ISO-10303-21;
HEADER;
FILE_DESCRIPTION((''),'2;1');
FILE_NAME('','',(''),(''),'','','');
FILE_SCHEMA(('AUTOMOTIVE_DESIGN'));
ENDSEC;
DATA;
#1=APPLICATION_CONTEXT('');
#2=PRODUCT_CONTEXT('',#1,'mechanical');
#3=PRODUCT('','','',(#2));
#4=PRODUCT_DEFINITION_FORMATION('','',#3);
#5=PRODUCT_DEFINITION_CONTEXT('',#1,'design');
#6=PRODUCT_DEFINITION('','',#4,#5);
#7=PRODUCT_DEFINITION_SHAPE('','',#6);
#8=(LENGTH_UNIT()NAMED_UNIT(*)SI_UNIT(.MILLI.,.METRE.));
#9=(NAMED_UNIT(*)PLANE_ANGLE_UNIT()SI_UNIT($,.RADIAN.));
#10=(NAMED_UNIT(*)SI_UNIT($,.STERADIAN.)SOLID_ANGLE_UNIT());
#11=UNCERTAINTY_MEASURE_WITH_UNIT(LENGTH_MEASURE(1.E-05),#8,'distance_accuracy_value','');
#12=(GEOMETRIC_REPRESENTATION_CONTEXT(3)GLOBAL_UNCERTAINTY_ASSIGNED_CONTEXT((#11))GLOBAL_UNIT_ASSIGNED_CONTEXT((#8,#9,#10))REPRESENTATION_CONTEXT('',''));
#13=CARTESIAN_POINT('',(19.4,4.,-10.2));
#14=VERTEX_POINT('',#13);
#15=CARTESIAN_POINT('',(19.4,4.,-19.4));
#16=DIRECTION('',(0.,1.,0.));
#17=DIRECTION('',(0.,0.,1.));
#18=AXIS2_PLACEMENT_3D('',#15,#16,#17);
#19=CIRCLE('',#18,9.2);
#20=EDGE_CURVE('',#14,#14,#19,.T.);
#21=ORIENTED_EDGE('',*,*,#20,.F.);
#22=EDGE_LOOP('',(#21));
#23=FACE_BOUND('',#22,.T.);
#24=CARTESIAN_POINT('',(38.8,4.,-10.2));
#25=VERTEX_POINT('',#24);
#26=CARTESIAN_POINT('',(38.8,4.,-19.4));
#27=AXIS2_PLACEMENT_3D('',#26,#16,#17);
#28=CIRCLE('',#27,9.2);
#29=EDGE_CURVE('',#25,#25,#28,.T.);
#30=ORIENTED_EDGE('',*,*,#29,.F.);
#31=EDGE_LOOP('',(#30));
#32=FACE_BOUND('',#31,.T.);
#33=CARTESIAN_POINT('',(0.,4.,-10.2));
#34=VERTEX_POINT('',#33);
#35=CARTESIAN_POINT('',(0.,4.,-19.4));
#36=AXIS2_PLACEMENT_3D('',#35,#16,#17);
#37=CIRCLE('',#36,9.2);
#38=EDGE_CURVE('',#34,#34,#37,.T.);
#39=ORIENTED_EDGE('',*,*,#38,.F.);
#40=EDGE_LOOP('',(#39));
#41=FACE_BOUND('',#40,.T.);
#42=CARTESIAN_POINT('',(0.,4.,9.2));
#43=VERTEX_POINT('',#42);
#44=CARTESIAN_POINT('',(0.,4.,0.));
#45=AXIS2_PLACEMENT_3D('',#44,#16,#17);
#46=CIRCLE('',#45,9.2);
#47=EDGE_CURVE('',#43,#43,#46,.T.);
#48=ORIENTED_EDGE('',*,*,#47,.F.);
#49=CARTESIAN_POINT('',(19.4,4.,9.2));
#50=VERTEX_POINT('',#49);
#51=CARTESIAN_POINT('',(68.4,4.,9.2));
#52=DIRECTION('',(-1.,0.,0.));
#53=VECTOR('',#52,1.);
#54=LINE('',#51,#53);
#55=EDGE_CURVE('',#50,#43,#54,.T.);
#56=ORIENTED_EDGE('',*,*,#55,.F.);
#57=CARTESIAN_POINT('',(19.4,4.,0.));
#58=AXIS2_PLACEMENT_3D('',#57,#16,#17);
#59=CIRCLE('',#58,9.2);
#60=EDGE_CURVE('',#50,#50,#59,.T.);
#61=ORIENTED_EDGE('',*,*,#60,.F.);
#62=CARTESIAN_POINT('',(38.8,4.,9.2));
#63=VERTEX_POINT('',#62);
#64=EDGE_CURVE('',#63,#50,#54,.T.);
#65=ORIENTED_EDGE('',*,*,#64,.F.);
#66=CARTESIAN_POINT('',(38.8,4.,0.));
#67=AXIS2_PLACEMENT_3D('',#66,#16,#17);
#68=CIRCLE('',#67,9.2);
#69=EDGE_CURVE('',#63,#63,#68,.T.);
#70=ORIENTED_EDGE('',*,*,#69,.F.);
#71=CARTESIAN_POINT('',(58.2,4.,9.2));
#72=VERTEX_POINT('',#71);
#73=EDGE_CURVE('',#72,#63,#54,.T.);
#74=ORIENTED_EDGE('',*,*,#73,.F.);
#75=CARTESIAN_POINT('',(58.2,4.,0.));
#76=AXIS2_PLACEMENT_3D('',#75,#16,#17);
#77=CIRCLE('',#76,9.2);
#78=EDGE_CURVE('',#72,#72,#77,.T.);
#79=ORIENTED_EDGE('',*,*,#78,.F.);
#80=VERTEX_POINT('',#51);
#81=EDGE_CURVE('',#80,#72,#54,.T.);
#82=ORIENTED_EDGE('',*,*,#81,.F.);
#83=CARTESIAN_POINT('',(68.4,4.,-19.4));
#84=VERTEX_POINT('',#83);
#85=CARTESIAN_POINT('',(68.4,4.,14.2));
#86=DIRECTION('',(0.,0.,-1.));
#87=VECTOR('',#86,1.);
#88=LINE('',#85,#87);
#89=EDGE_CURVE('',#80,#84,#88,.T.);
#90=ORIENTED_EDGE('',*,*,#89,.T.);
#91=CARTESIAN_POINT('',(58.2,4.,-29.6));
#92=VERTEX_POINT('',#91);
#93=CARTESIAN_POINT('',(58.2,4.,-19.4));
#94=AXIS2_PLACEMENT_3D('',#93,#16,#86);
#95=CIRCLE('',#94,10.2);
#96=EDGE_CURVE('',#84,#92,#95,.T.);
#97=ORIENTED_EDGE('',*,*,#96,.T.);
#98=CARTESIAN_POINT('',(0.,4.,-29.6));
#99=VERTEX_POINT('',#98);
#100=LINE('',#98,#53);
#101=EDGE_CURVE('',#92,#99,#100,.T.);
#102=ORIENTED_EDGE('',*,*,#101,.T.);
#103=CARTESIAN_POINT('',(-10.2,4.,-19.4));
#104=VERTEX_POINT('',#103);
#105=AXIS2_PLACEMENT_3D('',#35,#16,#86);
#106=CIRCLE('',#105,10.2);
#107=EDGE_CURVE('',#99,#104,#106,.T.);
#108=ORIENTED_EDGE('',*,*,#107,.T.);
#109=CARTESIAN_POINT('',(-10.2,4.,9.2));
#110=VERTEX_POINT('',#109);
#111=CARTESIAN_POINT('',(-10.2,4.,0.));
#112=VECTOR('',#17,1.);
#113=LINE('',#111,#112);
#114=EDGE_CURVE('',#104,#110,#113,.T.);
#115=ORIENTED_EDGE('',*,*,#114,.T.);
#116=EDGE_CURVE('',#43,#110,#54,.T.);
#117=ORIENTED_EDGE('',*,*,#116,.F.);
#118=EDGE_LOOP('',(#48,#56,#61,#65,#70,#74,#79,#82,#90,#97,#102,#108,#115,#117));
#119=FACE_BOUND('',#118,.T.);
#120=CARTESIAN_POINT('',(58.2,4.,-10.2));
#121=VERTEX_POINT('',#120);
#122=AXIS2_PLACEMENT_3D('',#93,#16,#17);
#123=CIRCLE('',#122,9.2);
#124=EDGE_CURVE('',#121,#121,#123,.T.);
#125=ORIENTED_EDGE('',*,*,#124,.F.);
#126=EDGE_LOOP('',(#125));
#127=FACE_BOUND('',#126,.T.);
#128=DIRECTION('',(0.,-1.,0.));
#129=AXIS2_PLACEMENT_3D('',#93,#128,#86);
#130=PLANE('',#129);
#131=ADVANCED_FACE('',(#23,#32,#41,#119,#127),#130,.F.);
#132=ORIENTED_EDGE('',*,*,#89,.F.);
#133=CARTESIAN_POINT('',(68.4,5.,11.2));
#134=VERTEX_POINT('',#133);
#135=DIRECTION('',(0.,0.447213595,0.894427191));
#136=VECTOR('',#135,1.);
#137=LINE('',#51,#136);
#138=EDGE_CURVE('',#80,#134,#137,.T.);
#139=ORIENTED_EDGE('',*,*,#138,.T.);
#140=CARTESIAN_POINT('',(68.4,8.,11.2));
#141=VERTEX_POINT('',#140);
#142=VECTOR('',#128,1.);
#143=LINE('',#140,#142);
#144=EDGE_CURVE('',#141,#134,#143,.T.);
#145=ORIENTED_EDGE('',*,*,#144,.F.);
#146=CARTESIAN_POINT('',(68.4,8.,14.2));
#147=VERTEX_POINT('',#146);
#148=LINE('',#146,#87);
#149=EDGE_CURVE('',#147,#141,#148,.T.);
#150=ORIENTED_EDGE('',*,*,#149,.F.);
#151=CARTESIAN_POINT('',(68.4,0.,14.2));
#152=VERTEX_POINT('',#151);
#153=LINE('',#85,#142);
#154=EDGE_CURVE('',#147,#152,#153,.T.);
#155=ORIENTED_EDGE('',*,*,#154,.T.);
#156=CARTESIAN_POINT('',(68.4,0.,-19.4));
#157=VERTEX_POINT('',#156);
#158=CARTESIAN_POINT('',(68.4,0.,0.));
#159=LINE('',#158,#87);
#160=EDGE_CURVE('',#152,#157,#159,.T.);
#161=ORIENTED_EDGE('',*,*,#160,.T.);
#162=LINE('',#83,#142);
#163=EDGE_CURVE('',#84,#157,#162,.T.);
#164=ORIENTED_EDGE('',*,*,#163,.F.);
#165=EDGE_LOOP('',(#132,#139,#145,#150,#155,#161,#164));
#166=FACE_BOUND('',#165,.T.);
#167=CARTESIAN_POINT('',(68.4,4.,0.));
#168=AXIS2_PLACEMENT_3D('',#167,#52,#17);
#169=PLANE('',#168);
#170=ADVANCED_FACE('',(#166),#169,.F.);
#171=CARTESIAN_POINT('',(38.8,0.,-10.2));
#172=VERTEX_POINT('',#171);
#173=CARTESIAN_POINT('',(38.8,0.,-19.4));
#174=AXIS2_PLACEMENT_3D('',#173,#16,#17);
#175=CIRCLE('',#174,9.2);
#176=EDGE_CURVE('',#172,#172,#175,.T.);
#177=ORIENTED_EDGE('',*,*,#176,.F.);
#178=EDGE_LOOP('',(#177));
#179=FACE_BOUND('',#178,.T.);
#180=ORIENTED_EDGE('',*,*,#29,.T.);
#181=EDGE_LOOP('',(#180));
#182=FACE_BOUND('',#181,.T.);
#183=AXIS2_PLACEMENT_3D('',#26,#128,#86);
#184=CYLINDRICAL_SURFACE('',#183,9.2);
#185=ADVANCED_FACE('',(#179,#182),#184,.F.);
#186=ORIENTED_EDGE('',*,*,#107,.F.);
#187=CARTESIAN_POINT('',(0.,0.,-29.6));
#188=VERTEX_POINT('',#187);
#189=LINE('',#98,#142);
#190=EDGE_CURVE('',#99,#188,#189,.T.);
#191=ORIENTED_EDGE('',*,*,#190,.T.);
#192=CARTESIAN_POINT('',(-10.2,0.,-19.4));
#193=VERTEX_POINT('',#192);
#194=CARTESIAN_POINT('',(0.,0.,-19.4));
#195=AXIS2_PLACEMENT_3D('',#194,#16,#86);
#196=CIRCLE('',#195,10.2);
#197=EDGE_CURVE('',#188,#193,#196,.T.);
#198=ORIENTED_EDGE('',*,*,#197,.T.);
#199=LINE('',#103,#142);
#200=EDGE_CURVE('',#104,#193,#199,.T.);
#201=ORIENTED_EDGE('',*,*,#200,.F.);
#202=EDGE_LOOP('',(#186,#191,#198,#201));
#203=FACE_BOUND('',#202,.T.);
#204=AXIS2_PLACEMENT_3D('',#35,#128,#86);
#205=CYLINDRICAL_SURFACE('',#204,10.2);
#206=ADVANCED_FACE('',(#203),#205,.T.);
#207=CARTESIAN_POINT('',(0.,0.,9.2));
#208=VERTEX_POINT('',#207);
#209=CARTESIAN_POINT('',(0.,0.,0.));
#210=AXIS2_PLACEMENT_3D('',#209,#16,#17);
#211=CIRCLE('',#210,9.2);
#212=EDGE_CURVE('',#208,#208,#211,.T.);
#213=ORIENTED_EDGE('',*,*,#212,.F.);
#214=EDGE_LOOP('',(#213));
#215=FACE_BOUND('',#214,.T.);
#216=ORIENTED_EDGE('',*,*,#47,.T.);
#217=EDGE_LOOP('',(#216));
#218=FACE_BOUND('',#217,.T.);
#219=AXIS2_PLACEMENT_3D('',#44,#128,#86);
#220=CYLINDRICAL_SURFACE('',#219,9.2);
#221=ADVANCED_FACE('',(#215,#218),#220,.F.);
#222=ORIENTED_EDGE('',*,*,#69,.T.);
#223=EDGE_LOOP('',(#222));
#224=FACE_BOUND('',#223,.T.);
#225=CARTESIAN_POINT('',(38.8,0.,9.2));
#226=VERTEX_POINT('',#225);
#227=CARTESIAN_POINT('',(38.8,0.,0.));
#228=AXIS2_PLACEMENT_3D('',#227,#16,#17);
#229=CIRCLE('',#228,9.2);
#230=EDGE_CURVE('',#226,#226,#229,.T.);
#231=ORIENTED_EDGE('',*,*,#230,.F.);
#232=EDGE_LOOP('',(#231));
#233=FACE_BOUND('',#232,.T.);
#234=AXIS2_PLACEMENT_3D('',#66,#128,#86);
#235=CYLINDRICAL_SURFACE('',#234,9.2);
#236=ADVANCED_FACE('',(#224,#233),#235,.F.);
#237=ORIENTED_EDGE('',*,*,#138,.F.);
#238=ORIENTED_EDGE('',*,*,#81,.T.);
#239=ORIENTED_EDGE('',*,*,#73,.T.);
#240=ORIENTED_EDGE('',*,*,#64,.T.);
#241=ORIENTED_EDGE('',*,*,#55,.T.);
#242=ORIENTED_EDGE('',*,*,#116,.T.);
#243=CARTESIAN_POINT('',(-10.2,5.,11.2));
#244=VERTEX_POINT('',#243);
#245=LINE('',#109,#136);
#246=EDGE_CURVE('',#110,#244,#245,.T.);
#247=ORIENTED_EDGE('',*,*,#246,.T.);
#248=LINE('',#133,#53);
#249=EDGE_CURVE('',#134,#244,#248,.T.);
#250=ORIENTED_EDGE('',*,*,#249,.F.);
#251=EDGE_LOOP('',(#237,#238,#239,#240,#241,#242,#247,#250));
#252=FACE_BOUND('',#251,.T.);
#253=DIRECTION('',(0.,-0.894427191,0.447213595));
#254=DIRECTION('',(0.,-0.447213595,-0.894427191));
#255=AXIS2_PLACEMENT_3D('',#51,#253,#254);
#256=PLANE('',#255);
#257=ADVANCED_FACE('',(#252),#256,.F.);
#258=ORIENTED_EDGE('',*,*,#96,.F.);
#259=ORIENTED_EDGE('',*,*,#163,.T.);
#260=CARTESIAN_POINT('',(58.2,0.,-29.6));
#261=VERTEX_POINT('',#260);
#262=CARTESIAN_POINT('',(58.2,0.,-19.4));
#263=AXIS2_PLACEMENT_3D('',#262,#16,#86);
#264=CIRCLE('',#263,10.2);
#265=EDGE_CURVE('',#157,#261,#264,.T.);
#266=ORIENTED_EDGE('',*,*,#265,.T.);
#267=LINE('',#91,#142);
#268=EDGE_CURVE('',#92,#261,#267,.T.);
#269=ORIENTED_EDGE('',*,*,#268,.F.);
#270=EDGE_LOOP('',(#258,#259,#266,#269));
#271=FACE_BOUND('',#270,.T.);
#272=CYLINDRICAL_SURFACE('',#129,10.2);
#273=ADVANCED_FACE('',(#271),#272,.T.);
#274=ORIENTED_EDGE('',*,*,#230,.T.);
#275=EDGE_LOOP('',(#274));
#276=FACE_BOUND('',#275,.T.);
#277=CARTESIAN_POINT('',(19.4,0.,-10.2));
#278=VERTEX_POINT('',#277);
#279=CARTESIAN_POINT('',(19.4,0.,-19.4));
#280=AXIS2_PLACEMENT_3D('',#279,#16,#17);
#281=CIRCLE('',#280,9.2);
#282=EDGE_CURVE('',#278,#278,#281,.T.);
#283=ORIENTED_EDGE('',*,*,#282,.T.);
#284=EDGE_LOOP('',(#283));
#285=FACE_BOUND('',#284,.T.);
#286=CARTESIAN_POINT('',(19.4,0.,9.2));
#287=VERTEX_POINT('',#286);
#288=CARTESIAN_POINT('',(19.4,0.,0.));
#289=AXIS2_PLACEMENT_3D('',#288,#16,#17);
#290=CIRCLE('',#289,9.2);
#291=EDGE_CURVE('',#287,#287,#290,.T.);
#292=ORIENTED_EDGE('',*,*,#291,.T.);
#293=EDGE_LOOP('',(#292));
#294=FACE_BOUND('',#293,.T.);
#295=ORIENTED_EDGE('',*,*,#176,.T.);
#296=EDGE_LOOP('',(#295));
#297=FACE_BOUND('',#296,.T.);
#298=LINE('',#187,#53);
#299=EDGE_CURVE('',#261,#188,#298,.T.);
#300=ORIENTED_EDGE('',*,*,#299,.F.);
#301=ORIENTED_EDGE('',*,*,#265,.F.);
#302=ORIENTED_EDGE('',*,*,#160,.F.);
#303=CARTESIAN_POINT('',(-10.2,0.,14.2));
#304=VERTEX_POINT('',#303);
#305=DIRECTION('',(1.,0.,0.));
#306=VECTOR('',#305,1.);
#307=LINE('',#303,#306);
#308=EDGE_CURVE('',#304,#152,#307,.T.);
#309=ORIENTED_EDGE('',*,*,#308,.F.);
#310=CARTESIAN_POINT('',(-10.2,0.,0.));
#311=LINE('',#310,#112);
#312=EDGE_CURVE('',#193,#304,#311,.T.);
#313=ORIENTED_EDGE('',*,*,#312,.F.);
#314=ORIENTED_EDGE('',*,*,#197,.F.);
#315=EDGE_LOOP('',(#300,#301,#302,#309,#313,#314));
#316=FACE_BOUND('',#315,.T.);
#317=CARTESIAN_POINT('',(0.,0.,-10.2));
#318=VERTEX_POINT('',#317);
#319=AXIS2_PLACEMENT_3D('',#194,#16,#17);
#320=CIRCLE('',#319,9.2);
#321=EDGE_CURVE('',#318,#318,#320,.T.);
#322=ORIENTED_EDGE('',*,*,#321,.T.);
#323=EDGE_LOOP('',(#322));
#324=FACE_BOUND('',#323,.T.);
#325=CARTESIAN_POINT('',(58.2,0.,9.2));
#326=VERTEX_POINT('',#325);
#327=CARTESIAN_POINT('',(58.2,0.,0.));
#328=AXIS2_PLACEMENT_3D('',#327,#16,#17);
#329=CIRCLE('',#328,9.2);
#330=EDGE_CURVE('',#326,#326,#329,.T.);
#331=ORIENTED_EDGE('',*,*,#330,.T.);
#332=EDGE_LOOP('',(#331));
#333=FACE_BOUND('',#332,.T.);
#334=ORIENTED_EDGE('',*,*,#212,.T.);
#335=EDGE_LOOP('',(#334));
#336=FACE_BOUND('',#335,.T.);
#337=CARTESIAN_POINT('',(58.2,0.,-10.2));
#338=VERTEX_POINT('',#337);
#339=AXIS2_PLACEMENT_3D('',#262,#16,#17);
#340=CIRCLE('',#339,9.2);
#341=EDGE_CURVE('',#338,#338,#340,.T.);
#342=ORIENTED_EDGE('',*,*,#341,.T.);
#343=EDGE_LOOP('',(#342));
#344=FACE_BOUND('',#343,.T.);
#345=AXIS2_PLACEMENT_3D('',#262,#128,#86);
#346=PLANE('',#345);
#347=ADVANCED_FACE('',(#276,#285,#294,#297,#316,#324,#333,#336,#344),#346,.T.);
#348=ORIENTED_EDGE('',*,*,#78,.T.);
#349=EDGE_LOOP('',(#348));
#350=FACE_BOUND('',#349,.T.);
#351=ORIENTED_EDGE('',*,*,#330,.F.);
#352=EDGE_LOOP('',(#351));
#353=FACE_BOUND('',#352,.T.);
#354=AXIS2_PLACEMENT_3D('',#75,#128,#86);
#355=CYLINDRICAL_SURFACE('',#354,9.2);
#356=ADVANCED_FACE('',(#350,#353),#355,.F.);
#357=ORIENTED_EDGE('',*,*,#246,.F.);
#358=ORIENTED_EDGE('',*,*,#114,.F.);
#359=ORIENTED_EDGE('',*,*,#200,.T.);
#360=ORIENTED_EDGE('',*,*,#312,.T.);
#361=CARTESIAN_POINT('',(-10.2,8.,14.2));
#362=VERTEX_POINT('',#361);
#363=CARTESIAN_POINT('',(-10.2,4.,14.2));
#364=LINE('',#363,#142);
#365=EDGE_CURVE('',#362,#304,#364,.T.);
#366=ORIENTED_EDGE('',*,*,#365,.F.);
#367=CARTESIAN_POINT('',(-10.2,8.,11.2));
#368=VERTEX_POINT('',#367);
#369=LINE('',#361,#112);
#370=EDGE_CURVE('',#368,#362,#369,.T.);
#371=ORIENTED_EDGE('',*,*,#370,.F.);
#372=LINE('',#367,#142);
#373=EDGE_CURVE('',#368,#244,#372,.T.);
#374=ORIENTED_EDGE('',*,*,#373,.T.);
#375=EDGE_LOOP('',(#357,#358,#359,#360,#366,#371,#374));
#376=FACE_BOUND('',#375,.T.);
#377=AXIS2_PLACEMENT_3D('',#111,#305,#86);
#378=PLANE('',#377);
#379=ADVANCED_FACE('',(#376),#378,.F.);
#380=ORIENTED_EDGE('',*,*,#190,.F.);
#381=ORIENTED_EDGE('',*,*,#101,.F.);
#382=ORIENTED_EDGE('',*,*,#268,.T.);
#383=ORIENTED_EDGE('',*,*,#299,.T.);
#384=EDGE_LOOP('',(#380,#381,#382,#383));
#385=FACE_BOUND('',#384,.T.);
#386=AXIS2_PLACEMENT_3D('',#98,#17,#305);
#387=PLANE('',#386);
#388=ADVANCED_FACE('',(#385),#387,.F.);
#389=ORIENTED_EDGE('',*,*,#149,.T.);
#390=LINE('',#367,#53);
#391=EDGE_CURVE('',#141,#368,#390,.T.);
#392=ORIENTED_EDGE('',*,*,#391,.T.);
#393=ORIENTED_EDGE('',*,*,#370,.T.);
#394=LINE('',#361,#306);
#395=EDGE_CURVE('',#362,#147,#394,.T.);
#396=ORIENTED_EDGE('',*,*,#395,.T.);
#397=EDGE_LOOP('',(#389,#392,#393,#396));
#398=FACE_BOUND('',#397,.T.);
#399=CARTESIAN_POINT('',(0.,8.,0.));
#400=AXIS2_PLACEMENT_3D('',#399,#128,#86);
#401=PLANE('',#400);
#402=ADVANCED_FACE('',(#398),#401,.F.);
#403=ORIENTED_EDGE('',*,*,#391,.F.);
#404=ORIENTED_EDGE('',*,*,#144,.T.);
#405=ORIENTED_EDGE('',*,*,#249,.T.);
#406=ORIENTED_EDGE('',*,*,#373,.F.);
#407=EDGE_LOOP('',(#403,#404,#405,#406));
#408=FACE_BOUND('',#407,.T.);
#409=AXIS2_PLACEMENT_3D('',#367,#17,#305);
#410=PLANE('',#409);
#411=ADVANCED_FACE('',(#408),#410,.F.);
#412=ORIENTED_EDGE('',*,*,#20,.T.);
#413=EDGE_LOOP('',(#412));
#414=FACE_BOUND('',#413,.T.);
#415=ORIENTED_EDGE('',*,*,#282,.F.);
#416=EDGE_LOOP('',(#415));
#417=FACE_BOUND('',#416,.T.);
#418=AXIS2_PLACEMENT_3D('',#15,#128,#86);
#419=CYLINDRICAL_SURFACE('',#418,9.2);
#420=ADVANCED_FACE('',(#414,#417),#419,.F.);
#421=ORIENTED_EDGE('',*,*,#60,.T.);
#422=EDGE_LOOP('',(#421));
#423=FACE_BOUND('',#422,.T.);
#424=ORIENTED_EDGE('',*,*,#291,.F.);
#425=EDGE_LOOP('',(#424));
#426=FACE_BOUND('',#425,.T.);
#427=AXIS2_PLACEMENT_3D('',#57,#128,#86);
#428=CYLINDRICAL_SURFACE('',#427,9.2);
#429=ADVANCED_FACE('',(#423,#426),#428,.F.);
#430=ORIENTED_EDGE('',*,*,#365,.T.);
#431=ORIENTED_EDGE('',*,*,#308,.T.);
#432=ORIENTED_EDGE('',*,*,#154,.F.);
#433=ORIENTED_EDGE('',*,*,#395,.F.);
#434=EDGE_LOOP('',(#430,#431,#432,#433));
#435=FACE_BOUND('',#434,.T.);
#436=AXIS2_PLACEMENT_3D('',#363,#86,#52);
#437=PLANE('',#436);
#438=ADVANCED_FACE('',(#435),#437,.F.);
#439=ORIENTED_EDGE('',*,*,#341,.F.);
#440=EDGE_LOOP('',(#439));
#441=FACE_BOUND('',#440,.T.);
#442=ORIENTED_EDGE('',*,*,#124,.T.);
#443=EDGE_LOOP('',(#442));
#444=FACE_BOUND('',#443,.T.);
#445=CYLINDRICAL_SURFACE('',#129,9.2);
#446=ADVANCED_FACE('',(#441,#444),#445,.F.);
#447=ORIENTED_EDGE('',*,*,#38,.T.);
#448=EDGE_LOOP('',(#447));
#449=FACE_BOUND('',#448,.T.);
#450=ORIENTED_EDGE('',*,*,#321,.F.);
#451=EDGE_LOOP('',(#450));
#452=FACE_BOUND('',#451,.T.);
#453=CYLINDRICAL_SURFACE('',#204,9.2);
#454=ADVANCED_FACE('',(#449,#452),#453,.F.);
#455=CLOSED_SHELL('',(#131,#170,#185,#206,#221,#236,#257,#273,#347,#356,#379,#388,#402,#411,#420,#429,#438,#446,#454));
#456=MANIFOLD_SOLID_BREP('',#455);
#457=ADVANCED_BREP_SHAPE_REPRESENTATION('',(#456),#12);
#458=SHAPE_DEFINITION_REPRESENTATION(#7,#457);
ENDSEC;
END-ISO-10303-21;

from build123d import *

# Parameters (mm, degrees)
SKETCH1_R           = 9.2
BOSS_EXTRUDE1_DEPTH = 4
SKETCH2_W           = 78.6
SKETCH2_H           = 3
BOSS_EXTRUDE2_DEPTH = 4
BOSS_EXTRUDE3_DEPTH = 39.3


with BuildPart() as part:
    # Sketch1 → Boss-Extrude1 (new body)
    with BuildSketch(Plane(origin=(0, 0, 0), x_dir=(1, 0, 0), z_dir=(0, 1, 0))):
        with BuildLine():
            Line((-10.2, 0), (-10.2, -14.2))
            Line((-10.2, -14.2), (68.4, -14.2))
            Line((68.4, -14.2), (68.4, 0))
            Line((68.4, 0), (68.4, 19.4))
            ThreePointArc((68.4, 19.4), (65.412489168, 26.612489168), (58.2, 29.6))
            Line((58.2, 29.6), (0, 29.6))
            ThreePointArc((0, 29.6), (-7.212489168, 26.612489168), (-10.2, 19.4))
            Line((-10.2, 19.4), (-10.2, 0))
        make_face()
        with Locations(Location((0, 0, 0), (0, 0, 270))):
            Circle(SKETCH1_R, mode=Mode.SUBTRACT)
        with Locations(Location((19.4, 0, 0), (0, 0, 270))):
            Circle(SKETCH1_R, mode=Mode.SUBTRACT)
        with Locations(Location((38.8, 0, 0), (0, 0, 270))):
            Circle(SKETCH1_R, mode=Mode.SUBTRACT)
        with Locations(Location((58.2, 0, 0), (0, 0, 270))):
            Circle(SKETCH1_R, mode=Mode.SUBTRACT)
        with Locations(Location((19.4, 19.4, 0), (0, 0, 270))):
            Circle(SKETCH1_R, mode=Mode.SUBTRACT)
        with Locations(Location((38.8, 19.4, 0), (0, 0, 270))):
            Circle(SKETCH1_R, mode=Mode.SUBTRACT)
        with Locations(Location((58.2, 19.4, 0), (0, 0, 270))):
            Circle(SKETCH1_R, mode=Mode.SUBTRACT)
        with Locations(Location((0, 19.4, 0), (0, 0, 270))):
            Circle(SKETCH1_R, mode=Mode.SUBTRACT)
    extrude(amount=BOSS_EXTRUDE1_DEPTH)

    # Sketch2 → Boss-Extrude2 (add)
    with BuildSketch(Plane(origin=(0, 4, 0), x_dir=(1, 0, 0), z_dir=(0, 1, 0))):
        with Locations((29.1, -12.7)):
            Rectangle(SKETCH2_W, SKETCH2_H)
    extrude(amount=BOSS_EXTRUDE2_DEPTH)

    # Sketch3 → Boss-Extrude3 (add, symmetric)
    with BuildSketch(Plane(origin=(29.1, 0, 0), x_dir=(0, 0, -1), z_dir=(1, 0, 0))):
        Polygon((-9.2, 4), (-11.2, 5), (-11.2, 4), align=None)
    extrude(amount=BOSS_EXTRUDE3_DEPTH, both=True)


solid = part.part
